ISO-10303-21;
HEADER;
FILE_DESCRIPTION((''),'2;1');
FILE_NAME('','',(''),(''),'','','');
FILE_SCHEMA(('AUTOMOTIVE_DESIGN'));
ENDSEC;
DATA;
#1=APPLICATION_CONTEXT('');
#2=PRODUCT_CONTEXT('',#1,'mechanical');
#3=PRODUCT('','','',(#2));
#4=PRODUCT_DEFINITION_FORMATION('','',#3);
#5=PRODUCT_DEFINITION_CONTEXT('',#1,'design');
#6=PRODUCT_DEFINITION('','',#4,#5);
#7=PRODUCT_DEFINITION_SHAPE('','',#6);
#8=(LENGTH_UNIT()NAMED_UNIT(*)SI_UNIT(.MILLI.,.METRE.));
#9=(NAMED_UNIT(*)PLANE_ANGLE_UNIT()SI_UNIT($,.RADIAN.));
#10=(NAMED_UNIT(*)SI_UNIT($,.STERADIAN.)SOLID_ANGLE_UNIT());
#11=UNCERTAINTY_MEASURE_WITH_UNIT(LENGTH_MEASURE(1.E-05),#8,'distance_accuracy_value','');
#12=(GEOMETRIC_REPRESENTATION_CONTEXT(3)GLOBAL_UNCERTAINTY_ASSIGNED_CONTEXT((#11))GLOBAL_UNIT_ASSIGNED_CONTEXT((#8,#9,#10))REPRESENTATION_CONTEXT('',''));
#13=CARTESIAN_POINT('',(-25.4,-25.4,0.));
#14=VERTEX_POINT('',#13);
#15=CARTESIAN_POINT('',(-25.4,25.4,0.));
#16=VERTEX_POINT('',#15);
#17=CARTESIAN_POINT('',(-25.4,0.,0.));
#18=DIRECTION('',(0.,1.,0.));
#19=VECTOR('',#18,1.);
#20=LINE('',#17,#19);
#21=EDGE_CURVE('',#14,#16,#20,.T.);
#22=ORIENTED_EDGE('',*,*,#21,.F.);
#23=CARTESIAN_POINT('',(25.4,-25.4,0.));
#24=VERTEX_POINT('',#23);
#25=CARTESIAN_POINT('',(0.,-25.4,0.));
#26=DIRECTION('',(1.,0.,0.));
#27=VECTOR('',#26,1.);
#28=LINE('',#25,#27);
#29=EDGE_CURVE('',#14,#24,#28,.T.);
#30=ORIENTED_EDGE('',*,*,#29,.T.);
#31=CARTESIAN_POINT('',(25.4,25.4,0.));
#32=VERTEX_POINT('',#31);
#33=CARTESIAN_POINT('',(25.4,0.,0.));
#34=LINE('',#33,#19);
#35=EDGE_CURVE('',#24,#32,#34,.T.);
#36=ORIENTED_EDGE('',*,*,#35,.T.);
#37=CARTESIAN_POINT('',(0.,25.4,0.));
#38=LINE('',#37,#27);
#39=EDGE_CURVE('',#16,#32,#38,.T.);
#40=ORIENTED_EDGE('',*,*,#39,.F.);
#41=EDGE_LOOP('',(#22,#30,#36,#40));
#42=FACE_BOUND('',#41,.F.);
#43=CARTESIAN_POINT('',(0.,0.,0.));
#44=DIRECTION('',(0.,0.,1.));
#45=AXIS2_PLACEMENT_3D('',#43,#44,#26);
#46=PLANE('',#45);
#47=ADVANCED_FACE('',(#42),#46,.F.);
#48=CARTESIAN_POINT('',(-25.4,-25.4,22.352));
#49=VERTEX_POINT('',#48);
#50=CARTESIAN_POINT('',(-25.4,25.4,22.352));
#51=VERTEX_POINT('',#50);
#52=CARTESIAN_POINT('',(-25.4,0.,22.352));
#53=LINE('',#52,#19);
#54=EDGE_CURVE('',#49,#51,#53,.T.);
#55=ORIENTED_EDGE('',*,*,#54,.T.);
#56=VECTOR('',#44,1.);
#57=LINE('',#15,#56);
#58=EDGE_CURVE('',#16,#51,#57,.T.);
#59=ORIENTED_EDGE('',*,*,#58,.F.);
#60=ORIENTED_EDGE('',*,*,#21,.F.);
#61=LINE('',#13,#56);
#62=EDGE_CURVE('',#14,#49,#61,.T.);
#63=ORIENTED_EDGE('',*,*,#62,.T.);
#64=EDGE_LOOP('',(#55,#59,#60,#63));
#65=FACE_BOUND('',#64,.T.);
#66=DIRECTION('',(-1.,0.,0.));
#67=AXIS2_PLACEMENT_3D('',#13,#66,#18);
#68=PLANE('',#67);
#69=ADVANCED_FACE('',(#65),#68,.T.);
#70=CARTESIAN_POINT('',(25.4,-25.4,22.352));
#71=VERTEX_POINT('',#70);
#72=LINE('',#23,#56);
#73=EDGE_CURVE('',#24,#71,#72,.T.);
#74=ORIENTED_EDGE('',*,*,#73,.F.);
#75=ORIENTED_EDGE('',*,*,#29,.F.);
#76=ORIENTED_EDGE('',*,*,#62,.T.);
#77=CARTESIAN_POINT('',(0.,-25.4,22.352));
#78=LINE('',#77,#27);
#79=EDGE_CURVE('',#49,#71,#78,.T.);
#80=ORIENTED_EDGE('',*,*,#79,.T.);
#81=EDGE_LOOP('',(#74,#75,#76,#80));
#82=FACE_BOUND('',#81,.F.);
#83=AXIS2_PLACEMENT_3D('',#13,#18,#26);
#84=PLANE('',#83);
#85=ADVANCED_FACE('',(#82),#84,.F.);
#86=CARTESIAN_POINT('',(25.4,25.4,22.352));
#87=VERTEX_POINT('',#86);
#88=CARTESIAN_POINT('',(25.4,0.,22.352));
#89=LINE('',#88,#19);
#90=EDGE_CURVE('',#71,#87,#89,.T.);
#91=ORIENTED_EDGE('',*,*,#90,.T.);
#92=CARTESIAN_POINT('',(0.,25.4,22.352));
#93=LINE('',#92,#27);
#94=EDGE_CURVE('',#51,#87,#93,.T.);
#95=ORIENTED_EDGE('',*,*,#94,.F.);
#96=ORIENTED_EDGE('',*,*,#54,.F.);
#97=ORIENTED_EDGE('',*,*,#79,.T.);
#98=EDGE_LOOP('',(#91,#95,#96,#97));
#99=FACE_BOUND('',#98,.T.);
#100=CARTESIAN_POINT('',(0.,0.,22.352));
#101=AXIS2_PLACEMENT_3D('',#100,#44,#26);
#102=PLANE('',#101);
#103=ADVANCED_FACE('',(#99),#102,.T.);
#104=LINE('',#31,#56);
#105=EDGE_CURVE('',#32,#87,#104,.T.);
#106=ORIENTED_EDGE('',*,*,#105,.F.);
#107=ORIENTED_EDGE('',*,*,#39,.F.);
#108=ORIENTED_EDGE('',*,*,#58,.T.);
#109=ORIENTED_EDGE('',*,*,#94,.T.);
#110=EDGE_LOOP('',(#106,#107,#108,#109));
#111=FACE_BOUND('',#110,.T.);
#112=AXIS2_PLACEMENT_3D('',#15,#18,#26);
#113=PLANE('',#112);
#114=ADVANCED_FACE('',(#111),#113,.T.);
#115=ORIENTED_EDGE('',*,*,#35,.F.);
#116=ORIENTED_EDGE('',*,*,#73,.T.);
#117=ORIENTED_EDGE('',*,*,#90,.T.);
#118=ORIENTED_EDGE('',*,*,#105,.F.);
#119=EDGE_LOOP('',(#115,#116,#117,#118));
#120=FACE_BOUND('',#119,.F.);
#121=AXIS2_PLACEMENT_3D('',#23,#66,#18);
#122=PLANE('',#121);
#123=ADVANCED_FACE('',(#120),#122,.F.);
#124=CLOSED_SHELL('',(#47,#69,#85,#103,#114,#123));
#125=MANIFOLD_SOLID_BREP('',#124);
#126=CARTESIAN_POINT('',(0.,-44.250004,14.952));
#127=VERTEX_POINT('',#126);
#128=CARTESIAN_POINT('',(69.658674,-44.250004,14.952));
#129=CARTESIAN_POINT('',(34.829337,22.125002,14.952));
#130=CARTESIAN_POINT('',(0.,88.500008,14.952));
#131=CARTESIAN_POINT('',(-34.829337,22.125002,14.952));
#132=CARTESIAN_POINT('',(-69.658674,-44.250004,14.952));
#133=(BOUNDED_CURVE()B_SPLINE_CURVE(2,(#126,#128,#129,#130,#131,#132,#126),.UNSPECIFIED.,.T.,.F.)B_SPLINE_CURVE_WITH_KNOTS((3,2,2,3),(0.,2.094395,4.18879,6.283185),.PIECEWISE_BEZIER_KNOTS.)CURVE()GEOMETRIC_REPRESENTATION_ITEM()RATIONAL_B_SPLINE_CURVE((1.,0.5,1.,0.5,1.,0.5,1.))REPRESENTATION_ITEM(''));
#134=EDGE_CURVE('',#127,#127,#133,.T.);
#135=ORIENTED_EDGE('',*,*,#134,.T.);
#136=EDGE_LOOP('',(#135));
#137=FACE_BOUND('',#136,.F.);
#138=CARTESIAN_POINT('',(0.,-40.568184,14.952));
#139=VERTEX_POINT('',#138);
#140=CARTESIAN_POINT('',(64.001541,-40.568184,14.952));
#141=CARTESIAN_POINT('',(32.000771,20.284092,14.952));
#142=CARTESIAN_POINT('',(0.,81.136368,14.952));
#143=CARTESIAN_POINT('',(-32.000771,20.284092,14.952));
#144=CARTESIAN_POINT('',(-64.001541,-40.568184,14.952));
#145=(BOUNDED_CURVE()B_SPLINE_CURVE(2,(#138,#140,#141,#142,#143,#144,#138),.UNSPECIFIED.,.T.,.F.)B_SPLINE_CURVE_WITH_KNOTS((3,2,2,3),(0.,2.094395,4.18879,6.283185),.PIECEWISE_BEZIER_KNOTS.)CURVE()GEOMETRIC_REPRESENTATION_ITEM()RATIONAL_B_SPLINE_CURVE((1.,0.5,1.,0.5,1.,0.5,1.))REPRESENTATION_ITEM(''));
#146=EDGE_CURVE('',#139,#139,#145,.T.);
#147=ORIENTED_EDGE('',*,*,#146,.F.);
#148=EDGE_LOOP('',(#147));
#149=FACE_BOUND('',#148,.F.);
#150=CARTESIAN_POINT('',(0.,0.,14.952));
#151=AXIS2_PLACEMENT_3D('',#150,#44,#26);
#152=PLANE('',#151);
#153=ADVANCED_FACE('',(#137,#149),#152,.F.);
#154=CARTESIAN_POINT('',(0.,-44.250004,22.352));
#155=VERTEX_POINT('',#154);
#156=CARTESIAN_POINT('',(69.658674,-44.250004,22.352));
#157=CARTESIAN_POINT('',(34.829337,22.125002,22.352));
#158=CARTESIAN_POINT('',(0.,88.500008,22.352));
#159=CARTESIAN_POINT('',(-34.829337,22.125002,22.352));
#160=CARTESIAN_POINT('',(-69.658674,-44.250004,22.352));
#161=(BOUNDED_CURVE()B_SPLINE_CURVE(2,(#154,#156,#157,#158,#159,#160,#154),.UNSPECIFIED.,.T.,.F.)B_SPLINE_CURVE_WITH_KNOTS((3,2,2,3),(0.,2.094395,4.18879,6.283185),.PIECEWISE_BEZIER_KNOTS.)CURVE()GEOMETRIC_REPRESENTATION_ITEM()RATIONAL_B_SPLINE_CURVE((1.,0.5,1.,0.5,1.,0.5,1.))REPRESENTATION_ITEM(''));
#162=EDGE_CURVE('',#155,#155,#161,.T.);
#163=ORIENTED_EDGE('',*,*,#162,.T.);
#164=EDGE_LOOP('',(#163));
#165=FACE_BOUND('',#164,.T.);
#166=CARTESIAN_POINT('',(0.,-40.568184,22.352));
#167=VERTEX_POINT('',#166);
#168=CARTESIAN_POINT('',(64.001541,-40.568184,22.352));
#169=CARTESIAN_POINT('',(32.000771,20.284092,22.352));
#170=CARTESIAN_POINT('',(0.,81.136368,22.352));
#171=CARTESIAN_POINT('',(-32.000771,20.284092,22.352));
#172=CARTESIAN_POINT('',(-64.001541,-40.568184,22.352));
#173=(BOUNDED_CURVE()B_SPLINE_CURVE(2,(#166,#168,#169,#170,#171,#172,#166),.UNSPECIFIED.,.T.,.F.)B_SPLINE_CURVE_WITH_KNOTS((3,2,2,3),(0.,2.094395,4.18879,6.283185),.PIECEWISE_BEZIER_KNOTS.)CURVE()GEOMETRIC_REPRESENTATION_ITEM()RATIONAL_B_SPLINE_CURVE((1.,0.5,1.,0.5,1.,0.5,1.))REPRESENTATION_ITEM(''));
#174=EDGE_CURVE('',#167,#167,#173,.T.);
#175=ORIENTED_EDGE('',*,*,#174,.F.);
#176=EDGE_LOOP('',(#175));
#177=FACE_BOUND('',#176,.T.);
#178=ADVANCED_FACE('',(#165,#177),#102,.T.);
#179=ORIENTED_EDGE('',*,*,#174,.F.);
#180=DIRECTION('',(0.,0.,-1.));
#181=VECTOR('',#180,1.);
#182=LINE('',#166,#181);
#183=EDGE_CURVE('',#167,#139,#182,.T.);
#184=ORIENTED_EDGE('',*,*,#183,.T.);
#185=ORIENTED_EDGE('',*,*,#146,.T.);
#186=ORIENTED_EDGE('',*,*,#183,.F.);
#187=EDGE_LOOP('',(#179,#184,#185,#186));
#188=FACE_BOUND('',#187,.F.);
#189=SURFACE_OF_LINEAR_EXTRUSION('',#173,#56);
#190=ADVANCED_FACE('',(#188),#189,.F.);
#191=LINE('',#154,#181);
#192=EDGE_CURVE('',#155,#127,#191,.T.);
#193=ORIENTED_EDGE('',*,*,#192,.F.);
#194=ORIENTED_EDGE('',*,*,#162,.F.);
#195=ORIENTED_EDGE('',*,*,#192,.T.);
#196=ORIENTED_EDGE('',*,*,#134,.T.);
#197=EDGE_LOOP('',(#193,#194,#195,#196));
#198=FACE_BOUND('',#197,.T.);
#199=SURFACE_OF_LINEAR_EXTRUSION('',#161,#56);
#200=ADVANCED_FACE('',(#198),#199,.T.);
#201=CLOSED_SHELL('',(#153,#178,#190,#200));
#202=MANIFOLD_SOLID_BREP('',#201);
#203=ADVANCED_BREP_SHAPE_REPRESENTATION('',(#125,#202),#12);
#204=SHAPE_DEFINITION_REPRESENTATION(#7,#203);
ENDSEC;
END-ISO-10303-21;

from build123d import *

# Parameters (mm, degrees)
F0_W     = 50.8
F0_H     = 50.8
F1_DEPTH = 22.352
F3_DEPTH = 7.4


with BuildPart() as f1:
    # F0 (on Top) → F1 (new body)
    with BuildSketch(Plane.XY):
        Rectangle(F0_W, F0_H)
    extrude(amount=F1_DEPTH)


with BuildPart() as f3:
    # F2 (on face) → F3 (new body)
    with BuildSketch(Plane.XY.offset(22.352)):
        with BuildLine():
            add(Edge.make_bspline(
                [(0, -44.250004), (69.658674, -44.250004), (34.829337, 22.125002), (0, 88.500008), (-34.829337, 22.125002), (-69.658674, -44.250004), (0, -44.250004)],
                knots=[0, 0, 0, 2.094395, 2.094395, 4.18879, 4.18879, 6.283185, 6.283185, 6.283185], degree=2, weights=[1, 0.5, 1, 0.5, 1, 0.5, 1]))
        make_face()
        with BuildLine():
            add(Edge.make_bspline(
                [(0, -40.568184), (64.001541, -40.568184), (32.000771, 20.284092), (0, 81.136368), (-32.000771, 20.284092), (-64.001541, -40.568184), (0, -40.568184)],
                knots=[0, 0, 0, 2.094395, 2.094395, 4.18879, 4.18879, 6.283185, 6.283185, 6.283185], degree=2, weights=[1, 0.5, 1, 0.5, 1, 0.5, 1]))
        make_face(mode=Mode.SUBTRACT)
    extrude(amount=-F3_DEPTH)


solid = Compound([f1.part, f3.part])
